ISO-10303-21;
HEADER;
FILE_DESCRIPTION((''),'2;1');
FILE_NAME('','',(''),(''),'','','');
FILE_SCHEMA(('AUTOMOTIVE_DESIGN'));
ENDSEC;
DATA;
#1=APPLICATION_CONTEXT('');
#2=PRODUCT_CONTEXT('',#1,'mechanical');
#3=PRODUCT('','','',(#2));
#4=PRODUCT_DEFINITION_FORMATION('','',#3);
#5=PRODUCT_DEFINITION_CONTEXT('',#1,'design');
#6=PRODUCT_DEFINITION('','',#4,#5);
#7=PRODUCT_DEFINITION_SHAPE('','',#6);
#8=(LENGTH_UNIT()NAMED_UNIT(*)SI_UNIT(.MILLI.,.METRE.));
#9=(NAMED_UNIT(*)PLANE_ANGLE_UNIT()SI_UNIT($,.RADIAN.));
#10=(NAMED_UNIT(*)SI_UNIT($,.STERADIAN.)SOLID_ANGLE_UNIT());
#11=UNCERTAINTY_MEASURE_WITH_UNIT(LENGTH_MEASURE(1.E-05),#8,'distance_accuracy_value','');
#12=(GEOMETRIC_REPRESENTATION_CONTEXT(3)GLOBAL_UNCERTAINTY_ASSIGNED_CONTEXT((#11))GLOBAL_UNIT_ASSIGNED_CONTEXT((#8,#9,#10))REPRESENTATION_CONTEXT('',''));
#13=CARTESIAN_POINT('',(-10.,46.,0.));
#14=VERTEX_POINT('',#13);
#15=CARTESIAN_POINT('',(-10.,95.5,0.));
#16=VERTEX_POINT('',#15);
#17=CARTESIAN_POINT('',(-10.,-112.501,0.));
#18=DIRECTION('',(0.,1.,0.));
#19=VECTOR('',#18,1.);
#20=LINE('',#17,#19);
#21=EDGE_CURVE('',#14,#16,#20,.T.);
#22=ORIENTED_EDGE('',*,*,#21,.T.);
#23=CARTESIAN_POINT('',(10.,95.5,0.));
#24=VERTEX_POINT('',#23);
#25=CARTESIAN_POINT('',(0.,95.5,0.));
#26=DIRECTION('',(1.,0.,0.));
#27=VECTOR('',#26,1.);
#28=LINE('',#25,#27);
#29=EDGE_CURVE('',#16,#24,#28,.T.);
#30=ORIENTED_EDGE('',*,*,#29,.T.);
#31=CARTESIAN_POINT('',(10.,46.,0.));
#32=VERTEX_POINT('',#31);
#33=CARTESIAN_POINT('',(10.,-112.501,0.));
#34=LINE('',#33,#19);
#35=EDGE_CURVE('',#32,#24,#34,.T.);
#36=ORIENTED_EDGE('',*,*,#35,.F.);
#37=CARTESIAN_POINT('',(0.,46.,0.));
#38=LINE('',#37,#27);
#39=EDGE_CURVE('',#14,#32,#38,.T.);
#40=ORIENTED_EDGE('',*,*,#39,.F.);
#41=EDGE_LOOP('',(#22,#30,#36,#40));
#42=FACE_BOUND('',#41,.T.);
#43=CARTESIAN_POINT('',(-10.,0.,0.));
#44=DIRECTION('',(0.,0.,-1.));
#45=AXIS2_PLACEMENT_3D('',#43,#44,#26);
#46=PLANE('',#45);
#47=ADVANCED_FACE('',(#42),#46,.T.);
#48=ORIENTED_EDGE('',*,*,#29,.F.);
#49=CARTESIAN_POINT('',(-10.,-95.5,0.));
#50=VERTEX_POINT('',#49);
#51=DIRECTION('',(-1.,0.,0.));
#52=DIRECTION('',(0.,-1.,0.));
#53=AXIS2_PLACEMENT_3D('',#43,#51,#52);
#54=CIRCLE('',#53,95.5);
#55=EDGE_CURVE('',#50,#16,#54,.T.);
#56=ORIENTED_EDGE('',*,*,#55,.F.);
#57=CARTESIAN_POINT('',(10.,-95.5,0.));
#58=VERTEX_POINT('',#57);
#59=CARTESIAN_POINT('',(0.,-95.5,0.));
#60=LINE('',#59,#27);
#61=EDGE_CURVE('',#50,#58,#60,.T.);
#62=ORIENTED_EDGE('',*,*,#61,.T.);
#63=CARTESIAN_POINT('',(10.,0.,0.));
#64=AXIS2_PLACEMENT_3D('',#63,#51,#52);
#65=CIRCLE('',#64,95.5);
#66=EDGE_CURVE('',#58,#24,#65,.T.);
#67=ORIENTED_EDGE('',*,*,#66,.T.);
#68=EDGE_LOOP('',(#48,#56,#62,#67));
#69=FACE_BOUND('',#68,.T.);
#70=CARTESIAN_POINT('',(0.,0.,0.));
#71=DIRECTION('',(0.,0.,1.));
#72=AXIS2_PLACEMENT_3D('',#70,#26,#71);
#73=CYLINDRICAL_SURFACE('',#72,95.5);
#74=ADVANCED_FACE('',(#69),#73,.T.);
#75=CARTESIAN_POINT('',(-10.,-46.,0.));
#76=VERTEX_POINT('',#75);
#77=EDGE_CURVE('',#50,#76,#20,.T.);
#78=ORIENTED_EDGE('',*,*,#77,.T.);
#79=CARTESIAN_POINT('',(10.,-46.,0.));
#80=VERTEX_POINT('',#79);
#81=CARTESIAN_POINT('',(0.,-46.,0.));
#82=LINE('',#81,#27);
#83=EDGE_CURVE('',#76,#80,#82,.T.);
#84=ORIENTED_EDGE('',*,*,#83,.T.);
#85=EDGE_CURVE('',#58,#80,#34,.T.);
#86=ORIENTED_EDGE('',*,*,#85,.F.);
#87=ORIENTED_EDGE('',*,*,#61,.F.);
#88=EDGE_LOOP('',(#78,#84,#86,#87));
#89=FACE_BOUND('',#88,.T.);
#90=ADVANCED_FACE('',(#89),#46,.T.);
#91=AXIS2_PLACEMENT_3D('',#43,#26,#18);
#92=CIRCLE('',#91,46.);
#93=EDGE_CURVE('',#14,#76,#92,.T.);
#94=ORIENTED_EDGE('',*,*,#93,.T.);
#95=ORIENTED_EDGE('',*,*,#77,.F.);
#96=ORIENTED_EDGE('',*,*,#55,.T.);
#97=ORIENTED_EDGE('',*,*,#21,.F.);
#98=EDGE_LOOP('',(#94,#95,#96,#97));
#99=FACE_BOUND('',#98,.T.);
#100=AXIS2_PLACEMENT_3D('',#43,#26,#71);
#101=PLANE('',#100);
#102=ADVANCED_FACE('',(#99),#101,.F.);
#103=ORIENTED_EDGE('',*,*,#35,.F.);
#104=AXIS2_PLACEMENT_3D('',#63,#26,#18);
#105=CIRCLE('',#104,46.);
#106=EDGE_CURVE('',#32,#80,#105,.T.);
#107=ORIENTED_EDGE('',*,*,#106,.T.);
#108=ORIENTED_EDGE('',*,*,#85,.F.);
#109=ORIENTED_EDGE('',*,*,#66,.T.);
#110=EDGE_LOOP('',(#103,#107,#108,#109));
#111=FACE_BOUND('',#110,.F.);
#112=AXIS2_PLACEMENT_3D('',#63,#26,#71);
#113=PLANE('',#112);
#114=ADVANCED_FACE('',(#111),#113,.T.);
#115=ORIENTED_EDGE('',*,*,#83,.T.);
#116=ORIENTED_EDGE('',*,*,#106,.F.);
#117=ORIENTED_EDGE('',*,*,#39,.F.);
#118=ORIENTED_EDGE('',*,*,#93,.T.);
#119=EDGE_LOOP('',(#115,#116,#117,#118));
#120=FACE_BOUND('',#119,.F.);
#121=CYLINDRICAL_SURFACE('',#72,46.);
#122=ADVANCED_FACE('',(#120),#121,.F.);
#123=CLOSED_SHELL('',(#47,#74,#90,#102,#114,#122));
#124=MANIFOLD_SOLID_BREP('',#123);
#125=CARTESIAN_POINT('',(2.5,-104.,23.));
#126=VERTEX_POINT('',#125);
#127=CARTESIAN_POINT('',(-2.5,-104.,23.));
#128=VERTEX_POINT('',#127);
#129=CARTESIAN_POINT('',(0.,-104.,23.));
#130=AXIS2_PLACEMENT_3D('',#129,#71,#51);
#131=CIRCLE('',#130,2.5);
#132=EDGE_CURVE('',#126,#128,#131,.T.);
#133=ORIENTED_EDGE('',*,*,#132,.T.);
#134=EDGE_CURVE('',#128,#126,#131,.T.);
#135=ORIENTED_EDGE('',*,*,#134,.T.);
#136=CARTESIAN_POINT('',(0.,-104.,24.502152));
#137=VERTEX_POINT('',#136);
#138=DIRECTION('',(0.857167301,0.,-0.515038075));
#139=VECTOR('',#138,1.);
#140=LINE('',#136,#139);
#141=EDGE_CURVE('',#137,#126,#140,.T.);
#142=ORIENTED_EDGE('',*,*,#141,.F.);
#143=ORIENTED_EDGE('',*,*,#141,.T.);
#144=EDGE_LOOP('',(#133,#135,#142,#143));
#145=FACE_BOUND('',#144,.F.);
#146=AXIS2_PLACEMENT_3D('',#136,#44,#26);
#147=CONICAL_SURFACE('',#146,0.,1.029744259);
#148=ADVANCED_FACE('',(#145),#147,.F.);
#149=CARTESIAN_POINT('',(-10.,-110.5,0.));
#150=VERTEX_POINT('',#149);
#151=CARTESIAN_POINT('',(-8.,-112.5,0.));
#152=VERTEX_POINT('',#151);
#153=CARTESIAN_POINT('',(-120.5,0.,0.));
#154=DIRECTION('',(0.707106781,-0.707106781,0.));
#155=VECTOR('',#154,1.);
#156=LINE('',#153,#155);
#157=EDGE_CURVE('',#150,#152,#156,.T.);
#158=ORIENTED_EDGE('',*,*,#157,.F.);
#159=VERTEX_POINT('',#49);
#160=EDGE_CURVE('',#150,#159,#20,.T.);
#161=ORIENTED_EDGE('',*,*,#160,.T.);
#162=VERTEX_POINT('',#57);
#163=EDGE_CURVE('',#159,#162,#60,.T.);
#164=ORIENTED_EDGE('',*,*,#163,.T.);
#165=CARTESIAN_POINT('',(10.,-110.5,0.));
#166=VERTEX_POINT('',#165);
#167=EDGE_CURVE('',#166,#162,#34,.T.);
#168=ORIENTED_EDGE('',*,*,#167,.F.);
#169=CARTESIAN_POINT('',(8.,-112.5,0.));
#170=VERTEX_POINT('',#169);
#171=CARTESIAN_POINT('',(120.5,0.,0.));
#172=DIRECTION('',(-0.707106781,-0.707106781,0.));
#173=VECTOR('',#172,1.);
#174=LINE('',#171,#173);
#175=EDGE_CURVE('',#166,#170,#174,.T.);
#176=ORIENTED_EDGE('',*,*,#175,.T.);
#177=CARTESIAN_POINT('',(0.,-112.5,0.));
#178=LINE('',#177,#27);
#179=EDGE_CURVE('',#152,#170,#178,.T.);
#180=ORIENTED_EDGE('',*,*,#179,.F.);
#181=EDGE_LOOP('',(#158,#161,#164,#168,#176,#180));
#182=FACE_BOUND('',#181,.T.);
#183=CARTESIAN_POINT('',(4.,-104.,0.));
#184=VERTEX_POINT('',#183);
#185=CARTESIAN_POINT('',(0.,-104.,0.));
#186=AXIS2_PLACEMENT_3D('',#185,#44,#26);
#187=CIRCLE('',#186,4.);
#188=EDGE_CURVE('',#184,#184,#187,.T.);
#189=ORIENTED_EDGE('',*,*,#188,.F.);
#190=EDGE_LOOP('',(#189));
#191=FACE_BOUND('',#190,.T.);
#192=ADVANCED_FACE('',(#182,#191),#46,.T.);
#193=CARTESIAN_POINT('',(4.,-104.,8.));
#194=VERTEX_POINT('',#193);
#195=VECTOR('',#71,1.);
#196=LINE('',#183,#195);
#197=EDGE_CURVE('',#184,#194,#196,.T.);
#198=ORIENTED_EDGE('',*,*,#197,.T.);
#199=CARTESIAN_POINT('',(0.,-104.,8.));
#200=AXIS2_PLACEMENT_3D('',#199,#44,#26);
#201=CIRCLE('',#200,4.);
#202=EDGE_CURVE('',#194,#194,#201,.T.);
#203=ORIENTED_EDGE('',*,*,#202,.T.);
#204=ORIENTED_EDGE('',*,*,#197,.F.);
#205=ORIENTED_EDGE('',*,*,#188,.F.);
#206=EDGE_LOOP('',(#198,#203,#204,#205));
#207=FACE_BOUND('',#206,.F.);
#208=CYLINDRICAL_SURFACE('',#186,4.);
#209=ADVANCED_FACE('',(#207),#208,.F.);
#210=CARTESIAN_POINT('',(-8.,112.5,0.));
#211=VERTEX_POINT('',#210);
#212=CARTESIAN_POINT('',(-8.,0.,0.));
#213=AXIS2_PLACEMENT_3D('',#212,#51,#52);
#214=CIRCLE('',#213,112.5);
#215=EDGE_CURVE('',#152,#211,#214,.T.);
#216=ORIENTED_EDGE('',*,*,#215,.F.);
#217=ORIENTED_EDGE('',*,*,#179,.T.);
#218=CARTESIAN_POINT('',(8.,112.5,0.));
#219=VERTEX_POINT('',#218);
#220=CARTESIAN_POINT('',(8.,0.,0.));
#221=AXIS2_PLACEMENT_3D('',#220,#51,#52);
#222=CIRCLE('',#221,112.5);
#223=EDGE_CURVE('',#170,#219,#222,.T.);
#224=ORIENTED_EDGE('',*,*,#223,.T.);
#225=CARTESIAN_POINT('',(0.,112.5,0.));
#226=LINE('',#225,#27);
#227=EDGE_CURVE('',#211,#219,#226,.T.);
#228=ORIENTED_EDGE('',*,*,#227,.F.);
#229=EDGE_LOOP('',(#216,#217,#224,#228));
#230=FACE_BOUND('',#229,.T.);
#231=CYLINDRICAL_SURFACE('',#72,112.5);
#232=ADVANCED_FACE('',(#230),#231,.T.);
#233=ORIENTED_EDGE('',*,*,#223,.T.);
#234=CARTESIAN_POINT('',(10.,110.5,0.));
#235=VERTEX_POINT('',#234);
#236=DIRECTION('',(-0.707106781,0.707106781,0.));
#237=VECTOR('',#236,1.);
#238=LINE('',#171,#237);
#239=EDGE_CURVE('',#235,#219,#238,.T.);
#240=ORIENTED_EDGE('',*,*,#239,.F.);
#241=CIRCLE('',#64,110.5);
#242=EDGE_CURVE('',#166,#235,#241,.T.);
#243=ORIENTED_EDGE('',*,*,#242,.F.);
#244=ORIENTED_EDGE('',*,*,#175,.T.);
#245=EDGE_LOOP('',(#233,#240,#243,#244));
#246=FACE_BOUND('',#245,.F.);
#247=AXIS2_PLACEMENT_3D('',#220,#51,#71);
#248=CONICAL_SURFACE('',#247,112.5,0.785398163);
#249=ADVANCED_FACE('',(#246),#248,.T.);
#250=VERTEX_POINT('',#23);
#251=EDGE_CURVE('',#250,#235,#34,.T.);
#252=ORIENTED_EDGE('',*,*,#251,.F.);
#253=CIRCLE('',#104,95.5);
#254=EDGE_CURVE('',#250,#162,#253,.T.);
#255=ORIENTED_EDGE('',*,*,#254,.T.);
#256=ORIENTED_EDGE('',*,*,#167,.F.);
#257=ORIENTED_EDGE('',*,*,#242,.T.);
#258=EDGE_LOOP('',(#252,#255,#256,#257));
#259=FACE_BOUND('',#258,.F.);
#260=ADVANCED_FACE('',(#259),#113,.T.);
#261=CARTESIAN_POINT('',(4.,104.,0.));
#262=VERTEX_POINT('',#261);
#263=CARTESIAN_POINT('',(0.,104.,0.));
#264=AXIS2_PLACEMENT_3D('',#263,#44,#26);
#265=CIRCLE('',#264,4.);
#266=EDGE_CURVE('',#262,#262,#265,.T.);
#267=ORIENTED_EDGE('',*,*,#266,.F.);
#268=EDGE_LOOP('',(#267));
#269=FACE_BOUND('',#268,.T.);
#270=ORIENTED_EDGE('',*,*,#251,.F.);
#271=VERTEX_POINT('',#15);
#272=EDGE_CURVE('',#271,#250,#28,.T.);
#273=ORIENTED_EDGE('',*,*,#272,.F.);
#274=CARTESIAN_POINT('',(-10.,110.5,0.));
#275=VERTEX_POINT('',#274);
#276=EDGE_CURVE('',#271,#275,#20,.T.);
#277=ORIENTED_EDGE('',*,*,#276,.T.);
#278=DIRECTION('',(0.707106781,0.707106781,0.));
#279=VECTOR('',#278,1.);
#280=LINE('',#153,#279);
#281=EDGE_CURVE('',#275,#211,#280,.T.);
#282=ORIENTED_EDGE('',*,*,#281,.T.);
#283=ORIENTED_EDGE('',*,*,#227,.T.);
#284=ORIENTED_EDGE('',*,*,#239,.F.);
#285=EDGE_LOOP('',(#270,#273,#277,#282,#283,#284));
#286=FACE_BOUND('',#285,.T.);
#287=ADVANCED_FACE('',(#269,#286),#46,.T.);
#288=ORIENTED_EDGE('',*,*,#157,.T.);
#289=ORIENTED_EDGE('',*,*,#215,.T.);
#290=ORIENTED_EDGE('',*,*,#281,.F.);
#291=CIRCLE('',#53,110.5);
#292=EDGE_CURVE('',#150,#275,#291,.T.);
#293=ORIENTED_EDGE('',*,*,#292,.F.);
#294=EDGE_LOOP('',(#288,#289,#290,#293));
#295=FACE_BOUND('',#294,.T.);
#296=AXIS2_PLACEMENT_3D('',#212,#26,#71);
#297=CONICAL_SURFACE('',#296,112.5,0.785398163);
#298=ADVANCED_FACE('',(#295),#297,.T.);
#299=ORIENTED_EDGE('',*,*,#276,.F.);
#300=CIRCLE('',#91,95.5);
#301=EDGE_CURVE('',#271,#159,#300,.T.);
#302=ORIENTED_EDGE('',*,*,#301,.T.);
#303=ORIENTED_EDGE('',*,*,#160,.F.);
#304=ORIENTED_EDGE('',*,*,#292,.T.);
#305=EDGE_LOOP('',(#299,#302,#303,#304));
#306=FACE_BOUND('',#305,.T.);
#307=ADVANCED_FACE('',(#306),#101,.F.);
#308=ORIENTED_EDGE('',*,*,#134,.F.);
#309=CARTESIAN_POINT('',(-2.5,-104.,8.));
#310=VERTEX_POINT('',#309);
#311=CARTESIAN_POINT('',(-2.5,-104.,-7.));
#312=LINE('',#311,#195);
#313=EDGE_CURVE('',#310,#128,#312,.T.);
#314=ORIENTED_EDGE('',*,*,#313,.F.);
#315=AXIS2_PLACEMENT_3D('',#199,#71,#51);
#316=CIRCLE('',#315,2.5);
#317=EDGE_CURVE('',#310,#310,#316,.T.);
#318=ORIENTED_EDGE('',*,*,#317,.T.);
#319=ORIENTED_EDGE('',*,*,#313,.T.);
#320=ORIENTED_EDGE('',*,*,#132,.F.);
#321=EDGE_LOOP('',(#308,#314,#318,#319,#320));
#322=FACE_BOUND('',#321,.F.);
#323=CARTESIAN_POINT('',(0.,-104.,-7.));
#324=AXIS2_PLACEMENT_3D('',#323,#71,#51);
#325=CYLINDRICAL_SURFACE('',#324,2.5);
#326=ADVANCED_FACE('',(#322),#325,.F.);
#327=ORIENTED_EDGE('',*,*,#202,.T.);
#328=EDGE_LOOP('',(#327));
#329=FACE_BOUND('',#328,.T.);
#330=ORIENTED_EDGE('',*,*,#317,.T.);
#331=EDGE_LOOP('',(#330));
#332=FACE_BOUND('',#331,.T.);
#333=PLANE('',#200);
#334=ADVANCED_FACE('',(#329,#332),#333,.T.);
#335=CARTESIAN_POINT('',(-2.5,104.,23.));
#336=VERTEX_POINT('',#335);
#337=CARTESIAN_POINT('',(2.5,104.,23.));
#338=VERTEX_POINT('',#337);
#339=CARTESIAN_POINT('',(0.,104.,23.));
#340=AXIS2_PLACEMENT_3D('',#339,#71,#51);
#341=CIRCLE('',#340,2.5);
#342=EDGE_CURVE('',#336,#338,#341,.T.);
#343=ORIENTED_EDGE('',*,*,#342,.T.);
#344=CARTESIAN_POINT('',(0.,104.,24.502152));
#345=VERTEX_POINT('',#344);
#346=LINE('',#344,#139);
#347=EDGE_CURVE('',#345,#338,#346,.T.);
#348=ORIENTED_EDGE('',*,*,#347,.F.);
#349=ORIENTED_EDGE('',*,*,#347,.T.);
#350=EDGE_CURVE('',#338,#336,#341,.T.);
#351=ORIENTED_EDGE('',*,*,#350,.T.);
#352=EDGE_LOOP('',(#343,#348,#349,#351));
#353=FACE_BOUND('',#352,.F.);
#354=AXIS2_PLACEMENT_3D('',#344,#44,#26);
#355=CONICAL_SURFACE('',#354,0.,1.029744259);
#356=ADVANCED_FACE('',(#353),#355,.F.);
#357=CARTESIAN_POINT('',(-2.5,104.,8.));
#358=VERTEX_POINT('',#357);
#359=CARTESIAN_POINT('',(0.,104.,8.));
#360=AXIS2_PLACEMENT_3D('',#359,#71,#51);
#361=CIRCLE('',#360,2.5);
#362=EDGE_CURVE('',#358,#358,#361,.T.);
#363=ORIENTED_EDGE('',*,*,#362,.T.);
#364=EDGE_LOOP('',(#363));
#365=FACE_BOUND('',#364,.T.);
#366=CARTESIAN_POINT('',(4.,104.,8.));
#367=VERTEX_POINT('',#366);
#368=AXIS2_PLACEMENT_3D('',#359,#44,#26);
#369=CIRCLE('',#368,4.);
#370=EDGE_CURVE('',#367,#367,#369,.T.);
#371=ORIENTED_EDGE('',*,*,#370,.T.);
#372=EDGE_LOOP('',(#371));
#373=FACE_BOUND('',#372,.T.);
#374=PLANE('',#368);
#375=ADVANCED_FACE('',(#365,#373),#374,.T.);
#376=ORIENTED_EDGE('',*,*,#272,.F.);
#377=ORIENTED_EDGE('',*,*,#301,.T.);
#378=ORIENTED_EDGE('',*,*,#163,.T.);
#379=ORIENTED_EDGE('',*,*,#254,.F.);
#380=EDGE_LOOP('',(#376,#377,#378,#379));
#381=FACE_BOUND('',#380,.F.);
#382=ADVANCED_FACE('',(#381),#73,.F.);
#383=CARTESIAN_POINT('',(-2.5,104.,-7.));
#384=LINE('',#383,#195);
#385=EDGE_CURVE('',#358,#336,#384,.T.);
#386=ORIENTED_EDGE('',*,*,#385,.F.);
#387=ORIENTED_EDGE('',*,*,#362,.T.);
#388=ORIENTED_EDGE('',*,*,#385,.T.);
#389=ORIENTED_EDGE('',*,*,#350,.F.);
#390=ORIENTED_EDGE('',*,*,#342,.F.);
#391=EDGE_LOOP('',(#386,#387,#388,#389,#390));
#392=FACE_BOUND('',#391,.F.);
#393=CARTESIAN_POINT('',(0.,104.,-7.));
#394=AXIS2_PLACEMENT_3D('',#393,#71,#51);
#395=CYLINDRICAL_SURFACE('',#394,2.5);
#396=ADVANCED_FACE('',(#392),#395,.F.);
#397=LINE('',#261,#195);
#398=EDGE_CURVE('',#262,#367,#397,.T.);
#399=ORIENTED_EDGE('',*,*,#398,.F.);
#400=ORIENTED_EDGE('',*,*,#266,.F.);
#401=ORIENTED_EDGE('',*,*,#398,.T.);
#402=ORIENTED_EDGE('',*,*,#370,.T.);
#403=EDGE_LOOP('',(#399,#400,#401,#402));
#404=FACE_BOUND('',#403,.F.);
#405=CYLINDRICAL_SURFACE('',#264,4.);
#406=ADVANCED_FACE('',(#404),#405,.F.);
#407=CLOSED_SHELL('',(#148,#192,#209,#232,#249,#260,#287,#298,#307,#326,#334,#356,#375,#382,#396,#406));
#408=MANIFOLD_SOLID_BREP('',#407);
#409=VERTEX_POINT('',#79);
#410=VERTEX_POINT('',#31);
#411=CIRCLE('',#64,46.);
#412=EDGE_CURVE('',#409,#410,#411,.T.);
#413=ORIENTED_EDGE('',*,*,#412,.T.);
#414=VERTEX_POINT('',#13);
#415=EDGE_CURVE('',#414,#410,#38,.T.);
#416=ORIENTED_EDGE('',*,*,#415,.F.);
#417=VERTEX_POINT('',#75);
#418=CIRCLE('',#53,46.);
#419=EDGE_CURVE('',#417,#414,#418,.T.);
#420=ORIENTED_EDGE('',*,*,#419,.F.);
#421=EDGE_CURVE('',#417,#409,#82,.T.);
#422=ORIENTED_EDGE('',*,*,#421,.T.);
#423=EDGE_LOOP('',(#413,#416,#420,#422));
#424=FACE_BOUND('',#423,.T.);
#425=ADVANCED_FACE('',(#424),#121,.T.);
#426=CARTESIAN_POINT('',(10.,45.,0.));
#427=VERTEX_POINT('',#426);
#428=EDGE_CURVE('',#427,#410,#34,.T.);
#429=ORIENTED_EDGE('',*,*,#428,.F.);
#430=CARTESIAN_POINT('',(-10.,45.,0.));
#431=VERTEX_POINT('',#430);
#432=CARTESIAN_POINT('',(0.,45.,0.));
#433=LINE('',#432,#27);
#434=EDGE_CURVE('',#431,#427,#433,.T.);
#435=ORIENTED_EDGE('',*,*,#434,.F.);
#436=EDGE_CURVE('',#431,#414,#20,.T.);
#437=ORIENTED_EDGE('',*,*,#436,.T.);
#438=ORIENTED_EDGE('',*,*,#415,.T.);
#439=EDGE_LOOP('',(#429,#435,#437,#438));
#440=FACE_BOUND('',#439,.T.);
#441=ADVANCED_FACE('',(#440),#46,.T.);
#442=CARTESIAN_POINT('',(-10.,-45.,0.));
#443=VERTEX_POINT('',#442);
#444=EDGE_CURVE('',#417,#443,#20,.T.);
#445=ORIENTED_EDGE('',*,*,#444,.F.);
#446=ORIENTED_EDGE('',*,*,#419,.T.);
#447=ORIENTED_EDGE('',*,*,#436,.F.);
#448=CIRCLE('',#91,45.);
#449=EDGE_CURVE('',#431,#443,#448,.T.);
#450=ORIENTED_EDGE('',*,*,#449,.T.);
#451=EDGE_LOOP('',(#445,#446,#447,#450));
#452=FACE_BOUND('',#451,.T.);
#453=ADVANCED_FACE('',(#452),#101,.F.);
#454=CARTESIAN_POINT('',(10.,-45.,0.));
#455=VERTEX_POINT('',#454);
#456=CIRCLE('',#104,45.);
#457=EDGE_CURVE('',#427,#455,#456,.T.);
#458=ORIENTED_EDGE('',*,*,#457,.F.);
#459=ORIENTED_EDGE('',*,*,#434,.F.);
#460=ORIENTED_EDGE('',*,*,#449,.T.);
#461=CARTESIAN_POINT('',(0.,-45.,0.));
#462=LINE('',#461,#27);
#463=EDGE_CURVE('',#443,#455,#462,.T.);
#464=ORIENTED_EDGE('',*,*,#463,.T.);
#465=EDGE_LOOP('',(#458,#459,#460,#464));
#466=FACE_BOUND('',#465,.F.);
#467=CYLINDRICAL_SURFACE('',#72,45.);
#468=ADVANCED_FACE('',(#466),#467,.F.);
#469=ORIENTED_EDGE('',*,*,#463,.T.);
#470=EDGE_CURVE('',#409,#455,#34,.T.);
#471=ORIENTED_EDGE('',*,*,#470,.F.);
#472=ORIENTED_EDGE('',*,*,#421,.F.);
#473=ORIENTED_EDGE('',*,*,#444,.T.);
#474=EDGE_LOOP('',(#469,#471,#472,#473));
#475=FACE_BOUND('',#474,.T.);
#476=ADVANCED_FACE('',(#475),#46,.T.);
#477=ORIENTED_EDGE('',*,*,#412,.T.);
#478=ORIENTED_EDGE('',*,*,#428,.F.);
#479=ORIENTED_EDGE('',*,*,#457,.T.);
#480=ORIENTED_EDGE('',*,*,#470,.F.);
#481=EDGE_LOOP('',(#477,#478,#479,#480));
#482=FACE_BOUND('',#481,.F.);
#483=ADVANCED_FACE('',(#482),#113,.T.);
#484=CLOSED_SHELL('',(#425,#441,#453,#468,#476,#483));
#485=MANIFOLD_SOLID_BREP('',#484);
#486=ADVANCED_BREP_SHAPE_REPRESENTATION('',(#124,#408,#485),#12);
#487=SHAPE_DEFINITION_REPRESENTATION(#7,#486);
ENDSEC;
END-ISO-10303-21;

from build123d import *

# Parameters (mm, degrees)
F0_W           = 20
F0_H           = 1
F2_W           = 20
F2_H           = 49.5
F4_W           = 20
F4_H           = 17
F8_SIZE        = 2
F9_W           = 20
F9_H           = 115
F10_DEPTH      = 112.501
F10_DEPTH_BACK = 112.501
F11_R          = 4
F12_DEPTH      = 8
F14_D          = 5
F14_DEPTH      = 15
F14_TIP        = 1.5021515476


with BuildPart() as f1:
    # F0 (on Front) → F1 (revolve)
    with BuildSketch(Plane.XZ):
        with Locations((0, 45.5)):
            Rectangle(F0_W, F0_H)
    revolve(axis=Axis((0, 0, 0), (1, 0, 0)))


with BuildPart() as f3:
    # F2 (on Front) → F3 (revolve)
    with BuildSketch(Plane.XZ):
        with Locations((0, 70.75)):
            Rectangle(F2_W, F2_H)
    revolve(axis=Axis((0, 0, 0), (1, 0, 0)))


with BuildPart() as f5:
    # F4 (on Front) → F5 (revolve)
    with BuildSketch(Plane.XZ):
        with Locations((0, 104)):
            Rectangle(F4_W, F4_H)
    revolve(axis=Axis((0, 0, 0), (1, 0, 0)))

    # F8
    f8_edges = [f5.edges().sort_by_distance(p)[0] for p in [
        (10, 0, -112.5),
        (-10, 0, -112.5),
    ]]
    chamfer(f8_edges, length=F8_SIZE)


with BuildPart() as f10_tool:
    # F9 (on Front) → F10 (new body, two sides)
    with BuildSketch(Plane.XZ) as f10_sk:
        with Locations((0, -57.5)):
            Rectangle(F9_W, F9_H)
    extrude(amount=F10_DEPTH)
    extrude(f10_sk.sketch, amount=-F10_DEPTH_BACK)


with BuildPart() as f1_1:
    add(f1.part)

    # F10: cut by f10_tool
    add(f10_tool.part, mode=Mode.SUBTRACT)


with BuildPart() as f3_1:
    add(f3.part)

    # F10: cut by f10_tool
    add(f10_tool.part, mode=Mode.SUBTRACT)


with BuildPart() as f5_1:
    add(f5.part)

    # F10: cut by f10_tool
    add(f10_tool.part, mode=Mode.SUBTRACT)

    # F11 (on face) → F12 (cut)
    with BuildSketch(Plane(origin=(0, 0, 0), x_dir=(1, 0, 0), z_dir=(0, 0, -1))):
        with Locations((0, 104)):
            Circle(F11_R)
        with Locations((0, -104)):
            Circle(F11_R)
    extrude(amount=-F12_DEPTH, mode=Mode.SUBTRACT)

    # F14
    with Locations(Plane(origin=(0, 0, 8), x_dir=(1, 0, 0), z_dir=(0, 0, -1))):
        with Locations((0, 104), (0, -104)):
            Hole(F14_D / 2, depth=F14_DEPTH)
            with Locations((0, 0, -(F14_DEPTH + F14_TIP / 2))):  # 118° drill point
                Cone(0, F14_D / 2, F14_TIP, mode=Mode.SUBTRACT)


solid = Compound([f1_1.part, f3_1.part, f5_1.part])
